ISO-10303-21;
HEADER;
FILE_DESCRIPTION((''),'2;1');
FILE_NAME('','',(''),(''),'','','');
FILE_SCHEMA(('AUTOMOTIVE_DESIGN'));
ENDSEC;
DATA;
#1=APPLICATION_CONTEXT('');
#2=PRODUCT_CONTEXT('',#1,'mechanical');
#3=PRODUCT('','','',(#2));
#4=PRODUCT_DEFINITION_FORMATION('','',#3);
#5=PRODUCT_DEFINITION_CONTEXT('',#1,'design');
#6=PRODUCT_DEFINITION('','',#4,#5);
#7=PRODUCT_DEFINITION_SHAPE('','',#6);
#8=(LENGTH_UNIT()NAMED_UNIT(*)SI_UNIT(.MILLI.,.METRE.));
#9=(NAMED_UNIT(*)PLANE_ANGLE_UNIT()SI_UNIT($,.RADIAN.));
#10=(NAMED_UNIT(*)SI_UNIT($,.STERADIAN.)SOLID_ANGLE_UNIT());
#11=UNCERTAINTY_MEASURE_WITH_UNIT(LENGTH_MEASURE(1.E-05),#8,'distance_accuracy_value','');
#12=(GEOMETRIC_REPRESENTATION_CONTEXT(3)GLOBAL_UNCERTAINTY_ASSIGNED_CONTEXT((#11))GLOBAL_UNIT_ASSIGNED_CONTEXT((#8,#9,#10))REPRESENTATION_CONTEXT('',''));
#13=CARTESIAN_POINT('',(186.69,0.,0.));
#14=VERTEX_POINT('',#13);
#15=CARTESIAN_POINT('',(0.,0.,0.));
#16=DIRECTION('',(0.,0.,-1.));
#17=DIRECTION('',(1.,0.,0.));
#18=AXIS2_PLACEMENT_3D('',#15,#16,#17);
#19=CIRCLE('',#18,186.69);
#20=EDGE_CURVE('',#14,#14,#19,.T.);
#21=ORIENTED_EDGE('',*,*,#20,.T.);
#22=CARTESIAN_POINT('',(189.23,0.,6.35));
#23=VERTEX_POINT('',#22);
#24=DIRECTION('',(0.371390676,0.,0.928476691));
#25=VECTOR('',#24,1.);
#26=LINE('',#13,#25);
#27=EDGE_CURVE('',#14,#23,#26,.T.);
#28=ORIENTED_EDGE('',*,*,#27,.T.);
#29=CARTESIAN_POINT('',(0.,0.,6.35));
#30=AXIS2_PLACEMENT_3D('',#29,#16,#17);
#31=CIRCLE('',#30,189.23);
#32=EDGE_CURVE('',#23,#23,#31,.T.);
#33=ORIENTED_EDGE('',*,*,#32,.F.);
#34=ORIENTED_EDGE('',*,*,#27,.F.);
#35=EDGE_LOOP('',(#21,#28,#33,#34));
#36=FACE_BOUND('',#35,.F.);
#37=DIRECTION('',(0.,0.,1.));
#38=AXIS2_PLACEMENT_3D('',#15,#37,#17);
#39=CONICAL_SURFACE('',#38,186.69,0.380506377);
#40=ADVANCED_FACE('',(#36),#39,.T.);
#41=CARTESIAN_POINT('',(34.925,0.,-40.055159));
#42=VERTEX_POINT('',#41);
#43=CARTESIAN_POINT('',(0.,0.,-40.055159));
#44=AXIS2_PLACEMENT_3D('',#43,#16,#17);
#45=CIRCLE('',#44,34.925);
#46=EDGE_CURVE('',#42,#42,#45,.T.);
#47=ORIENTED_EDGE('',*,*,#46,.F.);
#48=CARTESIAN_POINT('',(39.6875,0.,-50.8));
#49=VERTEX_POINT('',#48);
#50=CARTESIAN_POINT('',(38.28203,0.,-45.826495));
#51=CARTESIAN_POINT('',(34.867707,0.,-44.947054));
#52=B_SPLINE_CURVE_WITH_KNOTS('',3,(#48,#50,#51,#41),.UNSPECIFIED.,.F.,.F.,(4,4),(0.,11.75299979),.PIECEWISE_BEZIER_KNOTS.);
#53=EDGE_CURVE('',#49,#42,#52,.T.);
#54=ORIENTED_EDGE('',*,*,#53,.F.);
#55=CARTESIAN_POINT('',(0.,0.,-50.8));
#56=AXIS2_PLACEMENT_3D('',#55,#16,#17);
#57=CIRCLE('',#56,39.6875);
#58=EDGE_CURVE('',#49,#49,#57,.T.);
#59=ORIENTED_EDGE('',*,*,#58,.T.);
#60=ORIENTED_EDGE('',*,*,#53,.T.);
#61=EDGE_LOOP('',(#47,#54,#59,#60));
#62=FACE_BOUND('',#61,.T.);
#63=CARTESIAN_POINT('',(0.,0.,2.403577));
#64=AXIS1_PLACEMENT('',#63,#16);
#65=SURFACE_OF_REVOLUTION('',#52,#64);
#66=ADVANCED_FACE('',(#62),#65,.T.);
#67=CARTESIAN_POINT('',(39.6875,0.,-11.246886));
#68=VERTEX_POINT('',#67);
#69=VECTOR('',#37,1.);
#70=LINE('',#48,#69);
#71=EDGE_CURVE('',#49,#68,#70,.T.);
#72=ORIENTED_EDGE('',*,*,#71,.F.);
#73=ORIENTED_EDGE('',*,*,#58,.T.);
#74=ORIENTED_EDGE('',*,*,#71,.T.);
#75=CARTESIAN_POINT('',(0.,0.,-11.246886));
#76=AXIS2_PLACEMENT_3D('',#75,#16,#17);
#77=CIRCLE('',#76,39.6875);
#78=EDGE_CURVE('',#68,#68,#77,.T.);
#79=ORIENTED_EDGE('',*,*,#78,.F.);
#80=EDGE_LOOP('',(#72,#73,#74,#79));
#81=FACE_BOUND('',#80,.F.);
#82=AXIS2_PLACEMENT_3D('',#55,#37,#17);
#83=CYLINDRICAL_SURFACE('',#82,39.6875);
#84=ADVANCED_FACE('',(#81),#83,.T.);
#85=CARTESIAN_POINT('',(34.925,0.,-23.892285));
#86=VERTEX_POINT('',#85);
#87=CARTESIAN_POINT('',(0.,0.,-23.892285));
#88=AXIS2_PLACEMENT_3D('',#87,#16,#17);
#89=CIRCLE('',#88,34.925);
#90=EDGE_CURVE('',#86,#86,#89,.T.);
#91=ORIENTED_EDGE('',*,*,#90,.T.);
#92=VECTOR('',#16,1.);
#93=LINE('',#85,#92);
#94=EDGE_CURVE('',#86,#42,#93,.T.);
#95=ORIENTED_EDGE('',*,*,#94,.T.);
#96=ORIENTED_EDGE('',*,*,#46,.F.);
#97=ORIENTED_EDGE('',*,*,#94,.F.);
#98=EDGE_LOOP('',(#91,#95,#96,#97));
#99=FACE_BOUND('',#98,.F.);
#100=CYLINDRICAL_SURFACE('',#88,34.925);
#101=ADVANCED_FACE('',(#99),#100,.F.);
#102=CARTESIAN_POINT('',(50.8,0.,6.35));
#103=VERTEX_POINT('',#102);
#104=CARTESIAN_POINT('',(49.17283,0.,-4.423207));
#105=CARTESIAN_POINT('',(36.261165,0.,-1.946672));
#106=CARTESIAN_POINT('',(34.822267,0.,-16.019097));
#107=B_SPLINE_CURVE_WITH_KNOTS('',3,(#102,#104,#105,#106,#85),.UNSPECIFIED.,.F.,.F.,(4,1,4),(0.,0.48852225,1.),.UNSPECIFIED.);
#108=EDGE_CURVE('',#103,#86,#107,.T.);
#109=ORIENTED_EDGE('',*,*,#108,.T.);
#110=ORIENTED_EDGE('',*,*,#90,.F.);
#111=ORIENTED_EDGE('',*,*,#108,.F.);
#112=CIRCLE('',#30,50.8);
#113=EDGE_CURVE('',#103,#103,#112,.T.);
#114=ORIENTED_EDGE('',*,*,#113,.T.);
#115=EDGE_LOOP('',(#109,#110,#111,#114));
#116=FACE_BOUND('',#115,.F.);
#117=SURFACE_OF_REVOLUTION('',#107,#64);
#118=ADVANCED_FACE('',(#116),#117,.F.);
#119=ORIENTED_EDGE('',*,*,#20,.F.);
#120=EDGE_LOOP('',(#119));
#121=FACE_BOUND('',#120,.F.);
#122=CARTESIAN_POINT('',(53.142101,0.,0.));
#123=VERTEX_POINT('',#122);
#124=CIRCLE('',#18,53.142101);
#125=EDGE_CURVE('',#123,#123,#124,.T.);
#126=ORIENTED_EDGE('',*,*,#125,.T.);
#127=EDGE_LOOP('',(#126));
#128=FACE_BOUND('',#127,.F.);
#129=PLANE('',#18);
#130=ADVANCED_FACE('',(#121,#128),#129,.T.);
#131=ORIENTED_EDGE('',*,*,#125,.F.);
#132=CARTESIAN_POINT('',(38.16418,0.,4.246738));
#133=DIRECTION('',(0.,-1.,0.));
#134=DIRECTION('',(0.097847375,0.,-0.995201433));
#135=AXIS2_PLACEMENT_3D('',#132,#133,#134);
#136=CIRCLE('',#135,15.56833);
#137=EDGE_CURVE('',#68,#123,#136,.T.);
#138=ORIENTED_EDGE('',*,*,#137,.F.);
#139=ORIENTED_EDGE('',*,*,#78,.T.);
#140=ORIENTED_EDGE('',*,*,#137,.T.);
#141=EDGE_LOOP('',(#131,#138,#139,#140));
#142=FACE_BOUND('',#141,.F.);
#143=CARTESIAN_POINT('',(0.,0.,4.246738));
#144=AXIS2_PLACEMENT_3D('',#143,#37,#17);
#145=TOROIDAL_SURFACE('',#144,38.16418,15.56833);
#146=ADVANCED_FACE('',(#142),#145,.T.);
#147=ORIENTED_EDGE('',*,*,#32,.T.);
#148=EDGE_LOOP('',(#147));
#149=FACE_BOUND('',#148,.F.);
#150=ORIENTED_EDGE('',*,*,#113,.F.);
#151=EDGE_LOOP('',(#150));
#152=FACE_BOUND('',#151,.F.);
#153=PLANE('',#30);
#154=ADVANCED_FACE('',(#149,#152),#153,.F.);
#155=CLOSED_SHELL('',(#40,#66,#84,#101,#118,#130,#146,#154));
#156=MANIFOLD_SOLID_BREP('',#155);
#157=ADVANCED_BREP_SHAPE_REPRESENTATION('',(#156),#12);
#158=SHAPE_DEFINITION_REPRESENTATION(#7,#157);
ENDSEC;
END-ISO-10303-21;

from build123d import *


with BuildPart() as f1:
    # F0 (on Front) → F1 (revolve)
    with BuildSketch(Plane.XZ):
        with BuildLine():
            ThreePointArc((39.6875, -11.2468861043), (48.1489607267, -7.6980115894), (53.1421005726, 0))
            Line((53.1421005726, 0), (186.69, 0))
            Line((186.69, 0), (189.23, 6.35))
            Line((189.23, 6.35), (50.8, 6.35))
            add(Edge.make_bspline(
                [(50.8, 6.35), (49.1728301439, -4.4232065161), (36.2611646426, -1.9466716062), (34.8222671813, -16.0190971942), (34.925, -23.8922853023)],
                knots=[0, 0, 0, 0, 0.4885222498, 1, 1, 1, 1], degree=3))
            Line((34.925, -23.8922853023), (34.925, -40.0551594794))
            add(Edge.make_bspline(
                [(39.6875, -50.8), (38.2820304334, -45.8264946938), (34.8677070156, -44.9470542371), (34.925, -40.0551594794)],
                knots=[0, 0, 0, 0, 11.75299979, 11.75299979, 11.75299979, 11.75299979], degree=3))
            Line((39.6875, -50.8), (39.6875, -11.2468861043))
        make_face()
    revolve(axis=Axis((0, 0, 2.4035767974), (0, 0, -1)))


solid = f1.part
